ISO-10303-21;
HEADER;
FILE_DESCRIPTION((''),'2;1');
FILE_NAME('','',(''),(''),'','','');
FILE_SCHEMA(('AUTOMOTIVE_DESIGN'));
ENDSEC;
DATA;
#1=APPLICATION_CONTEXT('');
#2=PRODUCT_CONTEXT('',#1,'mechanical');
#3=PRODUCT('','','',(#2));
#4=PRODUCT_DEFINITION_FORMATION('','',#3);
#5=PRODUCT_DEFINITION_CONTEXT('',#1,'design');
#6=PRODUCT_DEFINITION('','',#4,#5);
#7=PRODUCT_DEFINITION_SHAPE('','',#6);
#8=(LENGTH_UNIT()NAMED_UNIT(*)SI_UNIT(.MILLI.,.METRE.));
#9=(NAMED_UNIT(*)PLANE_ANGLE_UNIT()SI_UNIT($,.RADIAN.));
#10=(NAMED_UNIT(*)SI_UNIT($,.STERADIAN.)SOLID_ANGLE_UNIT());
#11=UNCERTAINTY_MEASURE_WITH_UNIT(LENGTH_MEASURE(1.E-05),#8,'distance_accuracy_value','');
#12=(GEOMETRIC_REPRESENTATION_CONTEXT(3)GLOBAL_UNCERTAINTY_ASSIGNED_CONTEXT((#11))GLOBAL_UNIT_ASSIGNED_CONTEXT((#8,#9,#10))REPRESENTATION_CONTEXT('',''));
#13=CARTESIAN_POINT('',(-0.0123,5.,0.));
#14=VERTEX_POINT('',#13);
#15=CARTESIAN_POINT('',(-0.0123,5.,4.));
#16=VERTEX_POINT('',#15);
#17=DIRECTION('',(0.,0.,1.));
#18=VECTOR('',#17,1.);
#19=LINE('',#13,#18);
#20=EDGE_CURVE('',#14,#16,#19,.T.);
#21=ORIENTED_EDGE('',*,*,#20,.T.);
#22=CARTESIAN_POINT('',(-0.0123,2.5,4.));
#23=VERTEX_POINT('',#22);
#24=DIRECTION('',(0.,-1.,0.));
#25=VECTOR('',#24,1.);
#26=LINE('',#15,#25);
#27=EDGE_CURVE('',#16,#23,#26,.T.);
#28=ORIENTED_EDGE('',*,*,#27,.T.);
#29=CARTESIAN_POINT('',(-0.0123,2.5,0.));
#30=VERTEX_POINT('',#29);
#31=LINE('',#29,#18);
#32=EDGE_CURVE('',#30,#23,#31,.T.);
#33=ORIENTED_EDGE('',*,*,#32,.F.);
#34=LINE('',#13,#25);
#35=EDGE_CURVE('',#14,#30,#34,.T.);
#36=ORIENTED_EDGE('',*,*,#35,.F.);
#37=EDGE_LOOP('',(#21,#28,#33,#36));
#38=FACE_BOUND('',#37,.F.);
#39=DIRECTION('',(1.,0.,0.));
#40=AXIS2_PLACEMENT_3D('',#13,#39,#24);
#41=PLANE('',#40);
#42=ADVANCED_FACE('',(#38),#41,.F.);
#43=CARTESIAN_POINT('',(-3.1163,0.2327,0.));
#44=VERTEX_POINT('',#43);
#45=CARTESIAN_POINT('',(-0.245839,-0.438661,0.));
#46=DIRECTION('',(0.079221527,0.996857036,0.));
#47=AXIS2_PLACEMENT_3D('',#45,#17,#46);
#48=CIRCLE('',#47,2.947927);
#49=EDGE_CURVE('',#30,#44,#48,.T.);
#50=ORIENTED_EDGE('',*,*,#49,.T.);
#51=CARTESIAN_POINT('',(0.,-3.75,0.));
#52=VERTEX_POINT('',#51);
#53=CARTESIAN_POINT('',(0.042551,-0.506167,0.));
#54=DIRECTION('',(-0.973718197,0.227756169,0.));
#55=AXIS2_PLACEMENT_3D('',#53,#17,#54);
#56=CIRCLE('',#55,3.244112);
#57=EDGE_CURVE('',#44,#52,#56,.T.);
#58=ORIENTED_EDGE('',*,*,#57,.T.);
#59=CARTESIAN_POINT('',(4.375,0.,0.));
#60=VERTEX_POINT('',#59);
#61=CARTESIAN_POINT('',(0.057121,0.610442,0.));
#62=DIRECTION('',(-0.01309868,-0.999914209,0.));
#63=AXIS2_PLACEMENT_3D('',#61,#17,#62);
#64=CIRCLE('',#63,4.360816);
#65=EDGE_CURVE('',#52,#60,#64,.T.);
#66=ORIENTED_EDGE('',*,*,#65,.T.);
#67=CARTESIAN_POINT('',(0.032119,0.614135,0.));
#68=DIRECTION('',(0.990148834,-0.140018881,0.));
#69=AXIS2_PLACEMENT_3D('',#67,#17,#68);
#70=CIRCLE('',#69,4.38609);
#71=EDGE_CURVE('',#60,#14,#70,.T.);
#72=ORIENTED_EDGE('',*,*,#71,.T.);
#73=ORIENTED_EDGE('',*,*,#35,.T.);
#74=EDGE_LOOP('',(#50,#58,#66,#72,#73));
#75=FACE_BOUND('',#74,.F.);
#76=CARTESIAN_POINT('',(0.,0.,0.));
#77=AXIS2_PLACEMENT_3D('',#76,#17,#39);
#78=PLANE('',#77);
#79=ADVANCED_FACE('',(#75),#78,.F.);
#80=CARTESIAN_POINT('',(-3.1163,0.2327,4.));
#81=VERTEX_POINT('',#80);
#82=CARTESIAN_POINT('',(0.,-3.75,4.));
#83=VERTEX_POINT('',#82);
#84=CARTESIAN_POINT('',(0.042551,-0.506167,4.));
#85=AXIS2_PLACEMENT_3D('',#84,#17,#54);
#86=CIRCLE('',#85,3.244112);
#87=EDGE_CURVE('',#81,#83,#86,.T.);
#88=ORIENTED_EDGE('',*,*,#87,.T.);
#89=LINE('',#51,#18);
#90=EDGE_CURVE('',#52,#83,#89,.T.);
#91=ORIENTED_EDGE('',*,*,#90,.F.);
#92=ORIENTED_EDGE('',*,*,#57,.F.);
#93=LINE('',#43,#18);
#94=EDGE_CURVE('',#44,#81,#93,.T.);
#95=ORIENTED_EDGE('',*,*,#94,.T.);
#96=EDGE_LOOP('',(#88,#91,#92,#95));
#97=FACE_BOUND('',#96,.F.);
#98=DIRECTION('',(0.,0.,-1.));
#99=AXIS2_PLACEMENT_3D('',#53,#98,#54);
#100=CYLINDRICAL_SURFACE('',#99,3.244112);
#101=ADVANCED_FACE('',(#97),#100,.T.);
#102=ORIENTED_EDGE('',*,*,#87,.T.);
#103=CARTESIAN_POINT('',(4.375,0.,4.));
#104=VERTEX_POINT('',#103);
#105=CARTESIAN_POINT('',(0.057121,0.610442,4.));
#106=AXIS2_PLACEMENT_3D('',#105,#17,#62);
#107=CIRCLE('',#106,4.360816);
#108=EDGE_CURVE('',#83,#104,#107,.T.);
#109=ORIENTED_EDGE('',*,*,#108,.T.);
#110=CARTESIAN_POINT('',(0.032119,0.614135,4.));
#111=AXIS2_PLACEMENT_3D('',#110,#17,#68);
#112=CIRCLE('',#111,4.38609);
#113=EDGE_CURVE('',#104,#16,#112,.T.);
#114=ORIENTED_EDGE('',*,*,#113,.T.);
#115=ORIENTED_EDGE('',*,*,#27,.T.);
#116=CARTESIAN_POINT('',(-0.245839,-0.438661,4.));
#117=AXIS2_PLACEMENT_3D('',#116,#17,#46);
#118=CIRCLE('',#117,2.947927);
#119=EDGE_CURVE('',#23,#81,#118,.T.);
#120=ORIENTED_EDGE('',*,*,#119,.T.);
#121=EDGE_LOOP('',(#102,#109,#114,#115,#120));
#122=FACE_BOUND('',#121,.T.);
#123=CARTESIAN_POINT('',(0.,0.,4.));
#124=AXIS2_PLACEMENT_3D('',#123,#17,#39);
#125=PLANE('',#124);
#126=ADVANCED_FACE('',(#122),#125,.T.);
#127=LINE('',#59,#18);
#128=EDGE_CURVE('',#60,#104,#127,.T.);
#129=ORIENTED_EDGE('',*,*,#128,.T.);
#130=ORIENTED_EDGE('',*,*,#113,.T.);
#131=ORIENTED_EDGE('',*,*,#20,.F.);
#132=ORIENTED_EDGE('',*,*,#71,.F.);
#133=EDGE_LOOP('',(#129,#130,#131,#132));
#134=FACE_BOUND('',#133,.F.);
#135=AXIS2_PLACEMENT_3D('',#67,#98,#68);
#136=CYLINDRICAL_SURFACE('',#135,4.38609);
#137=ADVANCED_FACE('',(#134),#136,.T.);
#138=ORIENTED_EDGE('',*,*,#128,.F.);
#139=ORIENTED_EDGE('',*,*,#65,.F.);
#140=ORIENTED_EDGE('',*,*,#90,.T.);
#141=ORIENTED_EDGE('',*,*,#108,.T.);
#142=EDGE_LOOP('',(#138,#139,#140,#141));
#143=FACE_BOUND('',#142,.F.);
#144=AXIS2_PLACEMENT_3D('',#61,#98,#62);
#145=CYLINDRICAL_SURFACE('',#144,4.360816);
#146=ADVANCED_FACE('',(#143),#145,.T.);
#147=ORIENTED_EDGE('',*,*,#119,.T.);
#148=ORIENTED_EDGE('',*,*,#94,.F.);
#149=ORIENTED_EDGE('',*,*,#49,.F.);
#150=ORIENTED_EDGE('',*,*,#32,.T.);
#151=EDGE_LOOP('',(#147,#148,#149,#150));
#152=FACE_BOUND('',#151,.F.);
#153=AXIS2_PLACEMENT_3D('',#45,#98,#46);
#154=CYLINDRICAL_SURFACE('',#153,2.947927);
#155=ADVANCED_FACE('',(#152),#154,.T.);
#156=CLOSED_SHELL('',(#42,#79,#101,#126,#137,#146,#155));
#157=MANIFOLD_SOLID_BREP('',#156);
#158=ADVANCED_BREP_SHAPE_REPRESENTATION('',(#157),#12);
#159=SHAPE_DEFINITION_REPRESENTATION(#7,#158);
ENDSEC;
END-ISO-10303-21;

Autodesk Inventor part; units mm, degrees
ref_plane "YZ Plane" through (0, 0, 0) normal (1, 0, 0) x (0, 1, 0)
ref_plane "XZ Plane" through (0, 0, 0) normal (0, 1, 0) x (-1, 0, 0)
ref_plane "XY Plane" through (0, 0, 0) normal (0, 0, 1) x (1, 0, 0)
sketch "Sketch2" plane through (0, 0, 0) normal (0, 0, 1) x (1, 0, 0)
  circle A0 centre (0, 0) radius 5 construction
  circle A1 centre (0, 0) radius 2.5 construction
  circle A2 centre (0, 0) radius 3.125 construction
  circle A3 centre (0, 0) radius 3.75 construction
  circle A4 centre (0, 0) radius 4.375 construction
  arc A5 (4.375, 0) -> (-0.0123, 5) centre (0.032, 0.6141) ccw
  arc A6 (0, -3.75) -> (4.375, 0) centre (0.0571, 0.6105) ccw
  arc A7 (-3.1163, 0.2327) -> (0, -3.75) centre (0.0424, -0.5062) ccw
  arc A8 (-0.0123, 2.5) -> (-3.1163, 0.2327) centre (-0.2458, -0.4388) ccw
  line L0 (-0.0123, 5) -> (-0.0123, 2.5)
  dimension "d6" = 5
  dimension "d7" = 2.5
  dimension "d9" = 0.625
  dimension "d10" = 1.25
  dimension "d11" = 1.875
extrude "Extrusion1" add sketch "Sketch2" along normal blind 4
properties part number "Snail Cam"
